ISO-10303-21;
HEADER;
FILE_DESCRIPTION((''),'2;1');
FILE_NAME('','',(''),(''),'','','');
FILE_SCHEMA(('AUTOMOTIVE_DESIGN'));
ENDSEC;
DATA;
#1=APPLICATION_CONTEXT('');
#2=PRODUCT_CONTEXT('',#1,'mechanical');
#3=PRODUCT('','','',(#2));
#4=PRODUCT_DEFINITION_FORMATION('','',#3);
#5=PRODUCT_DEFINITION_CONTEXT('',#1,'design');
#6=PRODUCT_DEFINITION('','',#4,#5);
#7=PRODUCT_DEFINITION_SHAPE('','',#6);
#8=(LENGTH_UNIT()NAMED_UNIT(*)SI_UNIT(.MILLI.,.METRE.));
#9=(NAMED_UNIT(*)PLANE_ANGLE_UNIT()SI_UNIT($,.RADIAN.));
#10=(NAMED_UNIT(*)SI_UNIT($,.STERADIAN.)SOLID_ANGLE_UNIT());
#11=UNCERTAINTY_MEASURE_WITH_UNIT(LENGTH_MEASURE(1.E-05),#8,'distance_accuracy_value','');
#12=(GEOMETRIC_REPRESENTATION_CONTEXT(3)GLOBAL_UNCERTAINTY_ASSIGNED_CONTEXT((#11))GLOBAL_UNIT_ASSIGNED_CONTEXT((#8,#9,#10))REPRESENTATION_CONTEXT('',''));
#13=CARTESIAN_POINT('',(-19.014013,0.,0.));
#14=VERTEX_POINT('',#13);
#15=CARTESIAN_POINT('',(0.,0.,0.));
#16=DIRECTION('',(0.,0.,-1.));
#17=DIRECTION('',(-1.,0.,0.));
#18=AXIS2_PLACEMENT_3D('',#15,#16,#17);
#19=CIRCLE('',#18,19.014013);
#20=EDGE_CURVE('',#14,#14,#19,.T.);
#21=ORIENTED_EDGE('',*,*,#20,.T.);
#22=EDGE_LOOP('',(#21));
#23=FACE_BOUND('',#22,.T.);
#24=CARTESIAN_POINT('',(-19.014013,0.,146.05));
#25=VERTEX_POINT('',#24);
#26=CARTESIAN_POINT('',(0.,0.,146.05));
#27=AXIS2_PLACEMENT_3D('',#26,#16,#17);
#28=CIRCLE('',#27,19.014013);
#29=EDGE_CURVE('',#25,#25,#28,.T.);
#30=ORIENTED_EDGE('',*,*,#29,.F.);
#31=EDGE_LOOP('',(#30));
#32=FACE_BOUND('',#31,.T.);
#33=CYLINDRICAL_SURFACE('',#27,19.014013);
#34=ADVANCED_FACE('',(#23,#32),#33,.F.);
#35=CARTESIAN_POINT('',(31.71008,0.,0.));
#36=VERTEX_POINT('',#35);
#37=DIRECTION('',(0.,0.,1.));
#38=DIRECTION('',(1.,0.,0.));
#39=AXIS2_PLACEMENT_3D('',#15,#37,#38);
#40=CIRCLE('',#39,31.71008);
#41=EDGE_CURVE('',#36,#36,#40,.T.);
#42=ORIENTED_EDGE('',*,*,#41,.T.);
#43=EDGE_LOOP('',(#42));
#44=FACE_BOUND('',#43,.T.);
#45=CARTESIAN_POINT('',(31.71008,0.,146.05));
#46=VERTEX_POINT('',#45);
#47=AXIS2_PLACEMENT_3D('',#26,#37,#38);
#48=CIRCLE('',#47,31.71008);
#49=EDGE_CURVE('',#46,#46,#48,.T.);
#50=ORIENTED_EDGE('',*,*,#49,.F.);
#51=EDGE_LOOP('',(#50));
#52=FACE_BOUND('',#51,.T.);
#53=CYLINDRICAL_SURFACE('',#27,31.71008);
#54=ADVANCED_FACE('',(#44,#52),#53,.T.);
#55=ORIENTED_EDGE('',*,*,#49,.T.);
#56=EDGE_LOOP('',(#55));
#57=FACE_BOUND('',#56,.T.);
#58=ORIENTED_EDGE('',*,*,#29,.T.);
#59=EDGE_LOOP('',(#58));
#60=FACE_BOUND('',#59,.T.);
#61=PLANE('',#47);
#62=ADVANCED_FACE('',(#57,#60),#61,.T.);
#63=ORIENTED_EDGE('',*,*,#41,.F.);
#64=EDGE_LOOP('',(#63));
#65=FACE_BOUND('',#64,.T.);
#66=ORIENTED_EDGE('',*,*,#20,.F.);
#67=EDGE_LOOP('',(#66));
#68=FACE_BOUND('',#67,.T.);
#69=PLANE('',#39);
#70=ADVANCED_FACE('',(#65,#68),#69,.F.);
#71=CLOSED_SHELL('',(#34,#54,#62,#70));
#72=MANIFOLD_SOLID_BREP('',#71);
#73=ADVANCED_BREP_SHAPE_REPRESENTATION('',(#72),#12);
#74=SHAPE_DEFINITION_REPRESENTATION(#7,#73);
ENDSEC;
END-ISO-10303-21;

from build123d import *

# Parameters (mm, degrees)
SKETCH1_R           = 31.710080134
BOSS_EXTRUDE1_DEPTH = 146.05
SKETCH2_R           = 19.014013026
CUT_EXTRUDE1_DEPTH  = 146.05


with BuildPart() as part:
    # Sketch1 → Boss-Extrude1 (new body)
    with BuildSketch(Plane.XY):
        Circle(SKETCH1_R)
    extrude(amount=BOSS_EXTRUDE1_DEPTH)

    # Sketch2 → Cut-Extrude1 (cut)
    with BuildSketch(Plane(origin=(0, 0, 0), x_dir=(-1, 0, 0), z_dir=(0, 0, -1))):
        Circle(SKETCH2_R)
    extrude(amount=-CUT_EXTRUDE1_DEPTH, mode=Mode.SUBTRACT)


solid = part.part
